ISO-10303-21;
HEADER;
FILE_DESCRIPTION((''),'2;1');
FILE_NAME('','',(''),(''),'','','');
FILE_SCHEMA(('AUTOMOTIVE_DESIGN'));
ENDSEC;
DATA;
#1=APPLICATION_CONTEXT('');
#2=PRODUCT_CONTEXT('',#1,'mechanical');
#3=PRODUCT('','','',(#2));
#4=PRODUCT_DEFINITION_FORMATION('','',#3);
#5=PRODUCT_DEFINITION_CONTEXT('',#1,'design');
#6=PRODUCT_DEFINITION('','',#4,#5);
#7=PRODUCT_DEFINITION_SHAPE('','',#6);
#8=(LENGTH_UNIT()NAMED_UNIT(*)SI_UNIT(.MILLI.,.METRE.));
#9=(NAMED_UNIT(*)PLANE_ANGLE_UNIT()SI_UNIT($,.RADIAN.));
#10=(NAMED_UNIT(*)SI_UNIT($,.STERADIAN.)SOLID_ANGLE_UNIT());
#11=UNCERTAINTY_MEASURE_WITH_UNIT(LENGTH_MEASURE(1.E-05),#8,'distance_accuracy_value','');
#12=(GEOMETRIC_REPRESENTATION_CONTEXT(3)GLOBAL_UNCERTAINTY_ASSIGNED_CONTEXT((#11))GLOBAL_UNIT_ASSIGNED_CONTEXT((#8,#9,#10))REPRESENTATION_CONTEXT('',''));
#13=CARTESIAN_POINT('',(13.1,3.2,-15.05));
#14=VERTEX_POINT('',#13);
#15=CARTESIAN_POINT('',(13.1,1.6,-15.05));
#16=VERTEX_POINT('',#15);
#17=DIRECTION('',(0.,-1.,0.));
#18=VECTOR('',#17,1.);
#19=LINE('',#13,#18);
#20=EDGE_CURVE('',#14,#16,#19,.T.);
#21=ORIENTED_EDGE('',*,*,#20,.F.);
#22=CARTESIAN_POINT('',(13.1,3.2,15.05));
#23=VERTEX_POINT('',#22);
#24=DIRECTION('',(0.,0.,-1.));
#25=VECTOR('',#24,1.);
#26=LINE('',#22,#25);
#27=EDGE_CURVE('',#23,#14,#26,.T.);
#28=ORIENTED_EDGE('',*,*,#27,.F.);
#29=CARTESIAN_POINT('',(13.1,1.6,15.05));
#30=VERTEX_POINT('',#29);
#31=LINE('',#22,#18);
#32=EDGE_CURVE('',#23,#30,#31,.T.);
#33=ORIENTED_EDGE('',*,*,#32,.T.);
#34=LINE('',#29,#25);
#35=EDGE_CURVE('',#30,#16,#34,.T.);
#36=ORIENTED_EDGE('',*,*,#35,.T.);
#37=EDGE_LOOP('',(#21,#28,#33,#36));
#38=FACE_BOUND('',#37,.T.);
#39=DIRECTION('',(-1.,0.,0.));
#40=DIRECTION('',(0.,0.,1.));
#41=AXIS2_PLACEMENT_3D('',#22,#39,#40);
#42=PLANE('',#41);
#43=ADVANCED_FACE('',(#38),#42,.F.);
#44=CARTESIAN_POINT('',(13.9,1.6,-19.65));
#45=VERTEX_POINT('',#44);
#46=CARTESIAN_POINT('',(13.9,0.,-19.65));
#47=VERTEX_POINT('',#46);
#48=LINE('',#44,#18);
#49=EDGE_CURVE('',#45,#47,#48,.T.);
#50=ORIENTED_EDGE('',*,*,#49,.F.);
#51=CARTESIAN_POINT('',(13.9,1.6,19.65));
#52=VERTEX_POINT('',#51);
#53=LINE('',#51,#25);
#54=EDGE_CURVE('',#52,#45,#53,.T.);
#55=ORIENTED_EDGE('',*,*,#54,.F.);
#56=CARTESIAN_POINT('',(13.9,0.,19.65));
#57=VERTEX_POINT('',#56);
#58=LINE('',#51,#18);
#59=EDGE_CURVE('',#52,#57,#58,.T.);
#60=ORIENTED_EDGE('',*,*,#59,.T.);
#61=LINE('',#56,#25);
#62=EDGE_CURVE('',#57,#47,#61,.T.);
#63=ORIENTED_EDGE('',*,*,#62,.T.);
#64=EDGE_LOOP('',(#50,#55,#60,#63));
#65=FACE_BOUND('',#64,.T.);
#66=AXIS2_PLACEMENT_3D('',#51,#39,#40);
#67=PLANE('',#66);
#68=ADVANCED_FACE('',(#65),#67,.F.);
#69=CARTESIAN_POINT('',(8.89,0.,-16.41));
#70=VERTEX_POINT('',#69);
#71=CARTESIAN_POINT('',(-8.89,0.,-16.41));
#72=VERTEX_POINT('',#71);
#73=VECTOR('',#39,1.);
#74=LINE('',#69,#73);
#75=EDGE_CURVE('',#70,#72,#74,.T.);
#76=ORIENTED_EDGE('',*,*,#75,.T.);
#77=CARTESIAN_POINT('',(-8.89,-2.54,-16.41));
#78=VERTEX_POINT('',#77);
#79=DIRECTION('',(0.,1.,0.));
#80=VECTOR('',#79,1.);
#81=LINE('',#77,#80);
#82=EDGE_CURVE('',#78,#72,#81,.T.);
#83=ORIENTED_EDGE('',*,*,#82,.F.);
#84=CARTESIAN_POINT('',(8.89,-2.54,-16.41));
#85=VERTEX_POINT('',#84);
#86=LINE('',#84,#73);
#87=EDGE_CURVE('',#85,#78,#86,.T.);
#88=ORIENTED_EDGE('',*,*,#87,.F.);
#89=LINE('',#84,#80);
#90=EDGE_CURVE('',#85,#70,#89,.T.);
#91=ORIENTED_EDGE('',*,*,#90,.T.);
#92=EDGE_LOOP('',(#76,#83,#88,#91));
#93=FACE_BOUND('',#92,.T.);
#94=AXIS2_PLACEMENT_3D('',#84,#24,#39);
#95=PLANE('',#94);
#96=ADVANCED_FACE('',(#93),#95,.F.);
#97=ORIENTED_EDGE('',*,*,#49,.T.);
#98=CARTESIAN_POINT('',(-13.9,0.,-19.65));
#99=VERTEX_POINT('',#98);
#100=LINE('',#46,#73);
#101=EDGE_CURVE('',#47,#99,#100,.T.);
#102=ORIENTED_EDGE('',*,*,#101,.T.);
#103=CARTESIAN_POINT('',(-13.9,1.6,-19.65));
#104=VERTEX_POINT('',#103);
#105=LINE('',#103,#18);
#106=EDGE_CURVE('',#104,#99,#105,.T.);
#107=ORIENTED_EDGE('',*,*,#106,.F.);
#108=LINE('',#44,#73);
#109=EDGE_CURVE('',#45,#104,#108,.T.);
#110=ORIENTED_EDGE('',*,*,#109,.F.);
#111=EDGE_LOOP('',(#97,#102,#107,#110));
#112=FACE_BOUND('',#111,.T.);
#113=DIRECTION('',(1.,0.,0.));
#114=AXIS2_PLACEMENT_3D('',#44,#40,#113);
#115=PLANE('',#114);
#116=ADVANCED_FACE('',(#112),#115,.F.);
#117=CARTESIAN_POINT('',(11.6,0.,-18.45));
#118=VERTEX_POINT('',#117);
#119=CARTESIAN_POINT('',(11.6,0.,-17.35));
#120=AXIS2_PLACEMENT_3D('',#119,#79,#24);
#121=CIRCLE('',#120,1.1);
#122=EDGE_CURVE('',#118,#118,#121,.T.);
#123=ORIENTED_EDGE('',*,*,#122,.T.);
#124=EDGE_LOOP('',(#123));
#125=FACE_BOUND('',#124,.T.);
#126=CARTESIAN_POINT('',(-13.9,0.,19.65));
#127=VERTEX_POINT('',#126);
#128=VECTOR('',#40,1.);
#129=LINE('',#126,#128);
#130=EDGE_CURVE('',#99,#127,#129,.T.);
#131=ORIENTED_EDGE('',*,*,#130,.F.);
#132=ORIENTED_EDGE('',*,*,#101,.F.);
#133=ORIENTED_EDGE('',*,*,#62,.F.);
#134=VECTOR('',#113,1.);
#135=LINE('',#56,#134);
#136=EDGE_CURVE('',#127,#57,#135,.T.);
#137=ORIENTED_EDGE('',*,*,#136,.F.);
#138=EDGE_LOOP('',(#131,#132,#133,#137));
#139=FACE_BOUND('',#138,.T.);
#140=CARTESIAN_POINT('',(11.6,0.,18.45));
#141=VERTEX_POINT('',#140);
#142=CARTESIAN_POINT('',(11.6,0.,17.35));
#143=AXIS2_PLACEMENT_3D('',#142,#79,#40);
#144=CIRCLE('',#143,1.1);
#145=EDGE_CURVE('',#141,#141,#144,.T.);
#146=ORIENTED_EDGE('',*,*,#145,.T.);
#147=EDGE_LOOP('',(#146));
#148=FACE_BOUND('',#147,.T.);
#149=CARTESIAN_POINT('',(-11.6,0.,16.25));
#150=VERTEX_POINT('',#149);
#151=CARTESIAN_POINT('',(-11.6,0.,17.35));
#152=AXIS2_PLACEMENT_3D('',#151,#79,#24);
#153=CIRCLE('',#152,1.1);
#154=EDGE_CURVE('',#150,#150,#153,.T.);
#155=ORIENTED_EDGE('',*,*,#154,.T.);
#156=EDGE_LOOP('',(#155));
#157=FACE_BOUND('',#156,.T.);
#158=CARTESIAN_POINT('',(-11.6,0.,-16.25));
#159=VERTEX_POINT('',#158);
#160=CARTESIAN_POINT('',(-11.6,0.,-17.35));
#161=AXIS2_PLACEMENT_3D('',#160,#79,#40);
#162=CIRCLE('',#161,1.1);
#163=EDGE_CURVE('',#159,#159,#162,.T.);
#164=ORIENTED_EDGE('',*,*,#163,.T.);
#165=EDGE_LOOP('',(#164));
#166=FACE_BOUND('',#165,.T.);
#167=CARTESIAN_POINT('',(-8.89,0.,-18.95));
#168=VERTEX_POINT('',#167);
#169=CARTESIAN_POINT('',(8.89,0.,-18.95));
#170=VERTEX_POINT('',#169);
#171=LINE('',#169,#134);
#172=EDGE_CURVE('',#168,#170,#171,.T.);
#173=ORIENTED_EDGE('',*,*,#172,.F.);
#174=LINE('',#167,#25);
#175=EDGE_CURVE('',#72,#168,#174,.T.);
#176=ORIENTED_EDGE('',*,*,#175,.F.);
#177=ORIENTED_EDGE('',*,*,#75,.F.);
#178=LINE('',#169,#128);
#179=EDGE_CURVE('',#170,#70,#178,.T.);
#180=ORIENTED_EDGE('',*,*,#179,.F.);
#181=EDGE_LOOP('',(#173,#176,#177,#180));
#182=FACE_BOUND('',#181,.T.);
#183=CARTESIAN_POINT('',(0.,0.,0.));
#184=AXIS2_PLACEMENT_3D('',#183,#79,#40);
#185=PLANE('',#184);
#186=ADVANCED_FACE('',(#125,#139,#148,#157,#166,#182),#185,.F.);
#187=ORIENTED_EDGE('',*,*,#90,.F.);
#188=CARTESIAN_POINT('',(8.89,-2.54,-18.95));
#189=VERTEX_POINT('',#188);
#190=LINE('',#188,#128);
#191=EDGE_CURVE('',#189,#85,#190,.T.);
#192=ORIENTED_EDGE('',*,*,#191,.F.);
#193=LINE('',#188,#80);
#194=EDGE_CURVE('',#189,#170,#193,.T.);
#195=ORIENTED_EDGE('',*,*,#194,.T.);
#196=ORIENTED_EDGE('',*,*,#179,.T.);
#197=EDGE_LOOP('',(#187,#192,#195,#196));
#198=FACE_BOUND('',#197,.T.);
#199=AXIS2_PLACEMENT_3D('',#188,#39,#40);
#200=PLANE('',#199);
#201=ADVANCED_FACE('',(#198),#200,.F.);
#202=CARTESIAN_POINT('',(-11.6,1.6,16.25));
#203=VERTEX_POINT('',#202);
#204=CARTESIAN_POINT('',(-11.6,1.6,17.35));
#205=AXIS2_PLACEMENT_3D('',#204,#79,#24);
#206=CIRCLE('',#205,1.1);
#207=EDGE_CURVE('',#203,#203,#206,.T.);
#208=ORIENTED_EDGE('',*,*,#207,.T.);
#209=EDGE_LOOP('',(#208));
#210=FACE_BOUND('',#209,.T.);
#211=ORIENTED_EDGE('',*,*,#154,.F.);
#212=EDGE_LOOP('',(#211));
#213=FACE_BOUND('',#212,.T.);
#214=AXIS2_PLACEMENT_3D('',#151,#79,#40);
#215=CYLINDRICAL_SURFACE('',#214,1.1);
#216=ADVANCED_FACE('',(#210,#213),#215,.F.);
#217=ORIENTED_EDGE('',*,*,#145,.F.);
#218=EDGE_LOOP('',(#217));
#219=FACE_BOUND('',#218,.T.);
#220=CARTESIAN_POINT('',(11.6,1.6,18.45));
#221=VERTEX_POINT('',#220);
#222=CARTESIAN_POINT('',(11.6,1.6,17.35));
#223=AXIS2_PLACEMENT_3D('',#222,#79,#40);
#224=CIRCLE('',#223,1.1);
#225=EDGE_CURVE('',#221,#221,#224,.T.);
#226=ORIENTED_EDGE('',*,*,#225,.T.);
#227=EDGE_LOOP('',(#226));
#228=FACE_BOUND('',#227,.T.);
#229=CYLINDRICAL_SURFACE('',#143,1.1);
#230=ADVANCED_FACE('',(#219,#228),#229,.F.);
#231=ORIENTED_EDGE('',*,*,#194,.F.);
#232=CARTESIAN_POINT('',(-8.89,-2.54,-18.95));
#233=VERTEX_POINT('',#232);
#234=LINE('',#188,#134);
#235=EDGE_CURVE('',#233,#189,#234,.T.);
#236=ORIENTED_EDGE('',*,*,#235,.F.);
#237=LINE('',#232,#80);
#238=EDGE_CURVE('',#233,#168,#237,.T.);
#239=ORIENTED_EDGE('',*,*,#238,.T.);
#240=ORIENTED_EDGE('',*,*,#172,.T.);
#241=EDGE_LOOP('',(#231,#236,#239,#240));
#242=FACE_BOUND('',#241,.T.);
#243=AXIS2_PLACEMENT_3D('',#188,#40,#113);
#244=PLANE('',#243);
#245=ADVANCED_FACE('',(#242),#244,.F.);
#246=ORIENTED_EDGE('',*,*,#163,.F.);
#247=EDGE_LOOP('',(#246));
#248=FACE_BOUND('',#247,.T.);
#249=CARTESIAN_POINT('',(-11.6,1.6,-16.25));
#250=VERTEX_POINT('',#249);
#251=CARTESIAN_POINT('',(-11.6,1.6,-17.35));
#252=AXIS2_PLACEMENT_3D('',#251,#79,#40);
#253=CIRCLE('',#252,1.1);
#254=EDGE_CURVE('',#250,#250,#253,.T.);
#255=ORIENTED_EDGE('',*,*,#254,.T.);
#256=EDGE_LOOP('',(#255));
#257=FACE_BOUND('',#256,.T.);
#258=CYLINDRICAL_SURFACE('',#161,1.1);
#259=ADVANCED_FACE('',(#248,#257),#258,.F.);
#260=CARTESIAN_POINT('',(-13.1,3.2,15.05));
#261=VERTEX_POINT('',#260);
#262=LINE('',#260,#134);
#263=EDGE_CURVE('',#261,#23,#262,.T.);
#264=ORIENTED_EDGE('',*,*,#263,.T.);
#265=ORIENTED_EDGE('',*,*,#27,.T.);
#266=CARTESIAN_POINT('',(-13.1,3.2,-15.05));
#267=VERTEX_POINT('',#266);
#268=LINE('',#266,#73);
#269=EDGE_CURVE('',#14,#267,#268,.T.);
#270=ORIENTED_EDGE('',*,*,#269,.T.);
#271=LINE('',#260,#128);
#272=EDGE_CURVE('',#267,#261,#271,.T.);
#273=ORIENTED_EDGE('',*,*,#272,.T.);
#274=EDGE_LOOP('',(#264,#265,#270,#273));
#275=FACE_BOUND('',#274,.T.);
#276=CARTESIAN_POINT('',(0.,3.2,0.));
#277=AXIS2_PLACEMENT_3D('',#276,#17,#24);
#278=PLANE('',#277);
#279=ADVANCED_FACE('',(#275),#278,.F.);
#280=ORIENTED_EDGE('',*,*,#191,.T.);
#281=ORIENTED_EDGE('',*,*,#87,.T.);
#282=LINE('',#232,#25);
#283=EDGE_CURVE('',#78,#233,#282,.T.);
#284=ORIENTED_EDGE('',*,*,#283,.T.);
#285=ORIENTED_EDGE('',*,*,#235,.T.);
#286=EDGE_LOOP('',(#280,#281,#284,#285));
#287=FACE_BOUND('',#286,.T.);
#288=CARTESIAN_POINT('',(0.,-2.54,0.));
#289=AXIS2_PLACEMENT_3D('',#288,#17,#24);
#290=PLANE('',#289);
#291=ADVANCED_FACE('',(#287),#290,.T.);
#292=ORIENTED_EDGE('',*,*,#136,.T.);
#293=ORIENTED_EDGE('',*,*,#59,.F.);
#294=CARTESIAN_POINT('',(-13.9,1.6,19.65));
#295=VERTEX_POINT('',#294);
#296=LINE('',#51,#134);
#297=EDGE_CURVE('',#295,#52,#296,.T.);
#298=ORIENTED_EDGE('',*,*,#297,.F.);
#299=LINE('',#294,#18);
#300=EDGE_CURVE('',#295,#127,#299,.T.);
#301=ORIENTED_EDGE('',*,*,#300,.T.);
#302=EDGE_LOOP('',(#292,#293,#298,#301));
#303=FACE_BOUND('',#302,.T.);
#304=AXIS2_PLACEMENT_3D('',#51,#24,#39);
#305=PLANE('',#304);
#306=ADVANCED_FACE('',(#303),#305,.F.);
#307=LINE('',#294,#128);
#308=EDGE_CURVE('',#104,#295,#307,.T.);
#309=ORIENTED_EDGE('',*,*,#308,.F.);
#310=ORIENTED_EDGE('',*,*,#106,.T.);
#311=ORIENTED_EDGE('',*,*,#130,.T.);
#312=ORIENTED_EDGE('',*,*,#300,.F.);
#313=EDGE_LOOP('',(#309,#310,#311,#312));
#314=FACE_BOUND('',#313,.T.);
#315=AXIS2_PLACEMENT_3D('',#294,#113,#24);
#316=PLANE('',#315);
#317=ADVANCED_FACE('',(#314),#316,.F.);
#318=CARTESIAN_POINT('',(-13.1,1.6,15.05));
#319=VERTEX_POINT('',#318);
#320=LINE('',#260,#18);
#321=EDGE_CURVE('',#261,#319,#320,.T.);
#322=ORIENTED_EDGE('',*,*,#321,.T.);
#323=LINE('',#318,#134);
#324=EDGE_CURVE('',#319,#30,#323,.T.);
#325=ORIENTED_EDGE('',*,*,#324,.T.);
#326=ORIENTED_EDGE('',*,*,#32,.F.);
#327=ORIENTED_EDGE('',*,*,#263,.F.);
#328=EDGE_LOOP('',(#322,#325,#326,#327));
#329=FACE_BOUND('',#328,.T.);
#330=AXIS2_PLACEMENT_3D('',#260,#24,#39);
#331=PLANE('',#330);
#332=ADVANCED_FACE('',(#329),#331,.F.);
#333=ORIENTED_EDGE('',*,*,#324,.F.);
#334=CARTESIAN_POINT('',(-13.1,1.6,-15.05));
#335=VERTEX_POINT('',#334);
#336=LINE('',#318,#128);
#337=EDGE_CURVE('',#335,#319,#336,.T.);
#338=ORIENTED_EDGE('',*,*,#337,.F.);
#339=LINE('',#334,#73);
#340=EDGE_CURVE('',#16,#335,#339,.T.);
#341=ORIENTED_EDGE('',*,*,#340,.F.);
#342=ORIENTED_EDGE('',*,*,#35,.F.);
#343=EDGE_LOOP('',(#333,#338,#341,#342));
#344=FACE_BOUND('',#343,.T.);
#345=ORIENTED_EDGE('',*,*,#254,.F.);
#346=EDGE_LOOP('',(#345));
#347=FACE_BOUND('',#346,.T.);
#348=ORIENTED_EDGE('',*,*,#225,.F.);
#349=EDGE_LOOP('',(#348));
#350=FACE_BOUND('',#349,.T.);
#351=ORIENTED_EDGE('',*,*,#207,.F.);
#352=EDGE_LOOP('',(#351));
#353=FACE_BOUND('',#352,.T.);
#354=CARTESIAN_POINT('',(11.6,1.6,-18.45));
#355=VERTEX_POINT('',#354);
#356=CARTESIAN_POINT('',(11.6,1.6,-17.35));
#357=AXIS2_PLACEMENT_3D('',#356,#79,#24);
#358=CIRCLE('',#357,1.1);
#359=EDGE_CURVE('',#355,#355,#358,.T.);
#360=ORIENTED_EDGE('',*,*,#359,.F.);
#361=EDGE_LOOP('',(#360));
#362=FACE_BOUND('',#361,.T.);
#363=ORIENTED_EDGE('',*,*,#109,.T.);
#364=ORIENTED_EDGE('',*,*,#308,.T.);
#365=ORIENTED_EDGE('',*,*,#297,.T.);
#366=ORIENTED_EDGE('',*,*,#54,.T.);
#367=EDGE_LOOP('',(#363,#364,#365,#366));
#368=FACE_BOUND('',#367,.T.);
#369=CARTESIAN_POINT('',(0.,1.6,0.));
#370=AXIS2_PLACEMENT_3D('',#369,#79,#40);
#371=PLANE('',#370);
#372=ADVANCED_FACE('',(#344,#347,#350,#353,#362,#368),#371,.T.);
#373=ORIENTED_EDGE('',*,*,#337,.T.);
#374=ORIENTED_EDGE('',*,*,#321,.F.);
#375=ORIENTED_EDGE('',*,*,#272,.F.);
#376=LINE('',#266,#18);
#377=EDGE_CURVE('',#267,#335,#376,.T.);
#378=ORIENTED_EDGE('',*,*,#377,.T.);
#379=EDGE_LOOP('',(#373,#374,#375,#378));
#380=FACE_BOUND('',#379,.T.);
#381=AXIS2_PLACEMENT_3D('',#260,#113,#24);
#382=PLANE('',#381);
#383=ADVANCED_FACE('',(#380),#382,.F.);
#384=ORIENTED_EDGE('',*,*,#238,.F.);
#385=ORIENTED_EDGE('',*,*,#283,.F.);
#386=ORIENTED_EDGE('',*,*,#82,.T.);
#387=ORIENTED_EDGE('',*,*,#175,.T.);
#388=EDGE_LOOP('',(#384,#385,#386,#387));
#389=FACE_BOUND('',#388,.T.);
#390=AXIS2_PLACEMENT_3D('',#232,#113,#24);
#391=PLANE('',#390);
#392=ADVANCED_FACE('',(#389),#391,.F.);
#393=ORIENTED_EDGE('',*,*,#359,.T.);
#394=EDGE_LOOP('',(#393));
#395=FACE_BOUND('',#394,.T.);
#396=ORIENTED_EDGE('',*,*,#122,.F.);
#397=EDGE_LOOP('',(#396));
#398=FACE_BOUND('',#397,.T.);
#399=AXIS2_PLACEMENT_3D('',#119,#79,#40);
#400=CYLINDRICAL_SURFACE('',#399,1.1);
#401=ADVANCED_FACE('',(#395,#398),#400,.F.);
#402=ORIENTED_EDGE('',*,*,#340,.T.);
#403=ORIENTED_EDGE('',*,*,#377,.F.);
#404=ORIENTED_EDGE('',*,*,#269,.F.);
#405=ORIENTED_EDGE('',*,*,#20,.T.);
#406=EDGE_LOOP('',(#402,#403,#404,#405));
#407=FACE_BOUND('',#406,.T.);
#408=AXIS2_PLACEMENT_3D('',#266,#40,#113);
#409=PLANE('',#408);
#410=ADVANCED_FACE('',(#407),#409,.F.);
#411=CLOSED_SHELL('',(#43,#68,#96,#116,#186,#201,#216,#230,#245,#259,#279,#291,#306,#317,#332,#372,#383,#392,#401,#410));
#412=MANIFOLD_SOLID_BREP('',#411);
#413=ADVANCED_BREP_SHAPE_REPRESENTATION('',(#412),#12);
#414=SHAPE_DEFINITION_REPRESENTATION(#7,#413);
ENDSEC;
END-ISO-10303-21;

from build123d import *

# Parameters (mm, degrees)
SKETCH_1_W          = 27.8
SKETCH_1_H          = 39.3
EXTRUDE_1_DEPTH     = 1.6
SKETCH_2_R          = 1.1
CUT_EXTRUDE_1_DEPTH = 1.6
SKETCH_3_W          = 26.2
SKETCH_3_H          = 30.1
EXTRUDE_2_DEPTH     = 1.6
SKETCH_4_W          = 17.78
SKETCH_4_H          = 2.54
EXTRUDE_3_DEPTH     = 2.54


with BuildPart() as part:
    # 草图1 → 凸台-拉伸1 (new body)
    with BuildSketch(Plane(origin=(0, 0, 0), x_dir=(1, 0, 0), z_dir=(0, 1, 0))):
        Rectangle(SKETCH_1_W, SKETCH_1_H)
    extrude(amount=EXTRUDE_1_DEPTH)

    # 草图2 → 切除-拉伸1 (cut)
    with BuildSketch(Plane(origin=(0, 1.6, 0), x_dir=(1, 0, 0), z_dir=(0, 1, 0))):
        with Locations((-11.6, 17.35)):
            Circle(SKETCH_2_R)
        with Locations((11.6, 17.35)):
            Circle(SKETCH_2_R)
        with Locations((-11.6, -17.35)):
            Circle(SKETCH_2_R)
        with Locations((11.6, -17.35)):
            Circle(SKETCH_2_R)
    extrude(amount=-CUT_EXTRUDE_1_DEPTH, mode=Mode.SUBTRACT)

    # 草图3 → 凸台-拉伸2 (add)
    with BuildSketch(Plane(origin=(0, 1.6, 0), x_dir=(1, 0, 0), z_dir=(0, 1, 0))):
        Rectangle(SKETCH_3_W, SKETCH_3_H)
    extrude(amount=EXTRUDE_2_DEPTH)

    # 草图4 → 凸台-拉伸3 (add)
    with BuildSketch(Plane.XZ):
        with Locations((0, -17.68)):
            Rectangle(SKETCH_4_W, SKETCH_4_H)
    extrude(amount=EXTRUDE_3_DEPTH)


solid = part.part
